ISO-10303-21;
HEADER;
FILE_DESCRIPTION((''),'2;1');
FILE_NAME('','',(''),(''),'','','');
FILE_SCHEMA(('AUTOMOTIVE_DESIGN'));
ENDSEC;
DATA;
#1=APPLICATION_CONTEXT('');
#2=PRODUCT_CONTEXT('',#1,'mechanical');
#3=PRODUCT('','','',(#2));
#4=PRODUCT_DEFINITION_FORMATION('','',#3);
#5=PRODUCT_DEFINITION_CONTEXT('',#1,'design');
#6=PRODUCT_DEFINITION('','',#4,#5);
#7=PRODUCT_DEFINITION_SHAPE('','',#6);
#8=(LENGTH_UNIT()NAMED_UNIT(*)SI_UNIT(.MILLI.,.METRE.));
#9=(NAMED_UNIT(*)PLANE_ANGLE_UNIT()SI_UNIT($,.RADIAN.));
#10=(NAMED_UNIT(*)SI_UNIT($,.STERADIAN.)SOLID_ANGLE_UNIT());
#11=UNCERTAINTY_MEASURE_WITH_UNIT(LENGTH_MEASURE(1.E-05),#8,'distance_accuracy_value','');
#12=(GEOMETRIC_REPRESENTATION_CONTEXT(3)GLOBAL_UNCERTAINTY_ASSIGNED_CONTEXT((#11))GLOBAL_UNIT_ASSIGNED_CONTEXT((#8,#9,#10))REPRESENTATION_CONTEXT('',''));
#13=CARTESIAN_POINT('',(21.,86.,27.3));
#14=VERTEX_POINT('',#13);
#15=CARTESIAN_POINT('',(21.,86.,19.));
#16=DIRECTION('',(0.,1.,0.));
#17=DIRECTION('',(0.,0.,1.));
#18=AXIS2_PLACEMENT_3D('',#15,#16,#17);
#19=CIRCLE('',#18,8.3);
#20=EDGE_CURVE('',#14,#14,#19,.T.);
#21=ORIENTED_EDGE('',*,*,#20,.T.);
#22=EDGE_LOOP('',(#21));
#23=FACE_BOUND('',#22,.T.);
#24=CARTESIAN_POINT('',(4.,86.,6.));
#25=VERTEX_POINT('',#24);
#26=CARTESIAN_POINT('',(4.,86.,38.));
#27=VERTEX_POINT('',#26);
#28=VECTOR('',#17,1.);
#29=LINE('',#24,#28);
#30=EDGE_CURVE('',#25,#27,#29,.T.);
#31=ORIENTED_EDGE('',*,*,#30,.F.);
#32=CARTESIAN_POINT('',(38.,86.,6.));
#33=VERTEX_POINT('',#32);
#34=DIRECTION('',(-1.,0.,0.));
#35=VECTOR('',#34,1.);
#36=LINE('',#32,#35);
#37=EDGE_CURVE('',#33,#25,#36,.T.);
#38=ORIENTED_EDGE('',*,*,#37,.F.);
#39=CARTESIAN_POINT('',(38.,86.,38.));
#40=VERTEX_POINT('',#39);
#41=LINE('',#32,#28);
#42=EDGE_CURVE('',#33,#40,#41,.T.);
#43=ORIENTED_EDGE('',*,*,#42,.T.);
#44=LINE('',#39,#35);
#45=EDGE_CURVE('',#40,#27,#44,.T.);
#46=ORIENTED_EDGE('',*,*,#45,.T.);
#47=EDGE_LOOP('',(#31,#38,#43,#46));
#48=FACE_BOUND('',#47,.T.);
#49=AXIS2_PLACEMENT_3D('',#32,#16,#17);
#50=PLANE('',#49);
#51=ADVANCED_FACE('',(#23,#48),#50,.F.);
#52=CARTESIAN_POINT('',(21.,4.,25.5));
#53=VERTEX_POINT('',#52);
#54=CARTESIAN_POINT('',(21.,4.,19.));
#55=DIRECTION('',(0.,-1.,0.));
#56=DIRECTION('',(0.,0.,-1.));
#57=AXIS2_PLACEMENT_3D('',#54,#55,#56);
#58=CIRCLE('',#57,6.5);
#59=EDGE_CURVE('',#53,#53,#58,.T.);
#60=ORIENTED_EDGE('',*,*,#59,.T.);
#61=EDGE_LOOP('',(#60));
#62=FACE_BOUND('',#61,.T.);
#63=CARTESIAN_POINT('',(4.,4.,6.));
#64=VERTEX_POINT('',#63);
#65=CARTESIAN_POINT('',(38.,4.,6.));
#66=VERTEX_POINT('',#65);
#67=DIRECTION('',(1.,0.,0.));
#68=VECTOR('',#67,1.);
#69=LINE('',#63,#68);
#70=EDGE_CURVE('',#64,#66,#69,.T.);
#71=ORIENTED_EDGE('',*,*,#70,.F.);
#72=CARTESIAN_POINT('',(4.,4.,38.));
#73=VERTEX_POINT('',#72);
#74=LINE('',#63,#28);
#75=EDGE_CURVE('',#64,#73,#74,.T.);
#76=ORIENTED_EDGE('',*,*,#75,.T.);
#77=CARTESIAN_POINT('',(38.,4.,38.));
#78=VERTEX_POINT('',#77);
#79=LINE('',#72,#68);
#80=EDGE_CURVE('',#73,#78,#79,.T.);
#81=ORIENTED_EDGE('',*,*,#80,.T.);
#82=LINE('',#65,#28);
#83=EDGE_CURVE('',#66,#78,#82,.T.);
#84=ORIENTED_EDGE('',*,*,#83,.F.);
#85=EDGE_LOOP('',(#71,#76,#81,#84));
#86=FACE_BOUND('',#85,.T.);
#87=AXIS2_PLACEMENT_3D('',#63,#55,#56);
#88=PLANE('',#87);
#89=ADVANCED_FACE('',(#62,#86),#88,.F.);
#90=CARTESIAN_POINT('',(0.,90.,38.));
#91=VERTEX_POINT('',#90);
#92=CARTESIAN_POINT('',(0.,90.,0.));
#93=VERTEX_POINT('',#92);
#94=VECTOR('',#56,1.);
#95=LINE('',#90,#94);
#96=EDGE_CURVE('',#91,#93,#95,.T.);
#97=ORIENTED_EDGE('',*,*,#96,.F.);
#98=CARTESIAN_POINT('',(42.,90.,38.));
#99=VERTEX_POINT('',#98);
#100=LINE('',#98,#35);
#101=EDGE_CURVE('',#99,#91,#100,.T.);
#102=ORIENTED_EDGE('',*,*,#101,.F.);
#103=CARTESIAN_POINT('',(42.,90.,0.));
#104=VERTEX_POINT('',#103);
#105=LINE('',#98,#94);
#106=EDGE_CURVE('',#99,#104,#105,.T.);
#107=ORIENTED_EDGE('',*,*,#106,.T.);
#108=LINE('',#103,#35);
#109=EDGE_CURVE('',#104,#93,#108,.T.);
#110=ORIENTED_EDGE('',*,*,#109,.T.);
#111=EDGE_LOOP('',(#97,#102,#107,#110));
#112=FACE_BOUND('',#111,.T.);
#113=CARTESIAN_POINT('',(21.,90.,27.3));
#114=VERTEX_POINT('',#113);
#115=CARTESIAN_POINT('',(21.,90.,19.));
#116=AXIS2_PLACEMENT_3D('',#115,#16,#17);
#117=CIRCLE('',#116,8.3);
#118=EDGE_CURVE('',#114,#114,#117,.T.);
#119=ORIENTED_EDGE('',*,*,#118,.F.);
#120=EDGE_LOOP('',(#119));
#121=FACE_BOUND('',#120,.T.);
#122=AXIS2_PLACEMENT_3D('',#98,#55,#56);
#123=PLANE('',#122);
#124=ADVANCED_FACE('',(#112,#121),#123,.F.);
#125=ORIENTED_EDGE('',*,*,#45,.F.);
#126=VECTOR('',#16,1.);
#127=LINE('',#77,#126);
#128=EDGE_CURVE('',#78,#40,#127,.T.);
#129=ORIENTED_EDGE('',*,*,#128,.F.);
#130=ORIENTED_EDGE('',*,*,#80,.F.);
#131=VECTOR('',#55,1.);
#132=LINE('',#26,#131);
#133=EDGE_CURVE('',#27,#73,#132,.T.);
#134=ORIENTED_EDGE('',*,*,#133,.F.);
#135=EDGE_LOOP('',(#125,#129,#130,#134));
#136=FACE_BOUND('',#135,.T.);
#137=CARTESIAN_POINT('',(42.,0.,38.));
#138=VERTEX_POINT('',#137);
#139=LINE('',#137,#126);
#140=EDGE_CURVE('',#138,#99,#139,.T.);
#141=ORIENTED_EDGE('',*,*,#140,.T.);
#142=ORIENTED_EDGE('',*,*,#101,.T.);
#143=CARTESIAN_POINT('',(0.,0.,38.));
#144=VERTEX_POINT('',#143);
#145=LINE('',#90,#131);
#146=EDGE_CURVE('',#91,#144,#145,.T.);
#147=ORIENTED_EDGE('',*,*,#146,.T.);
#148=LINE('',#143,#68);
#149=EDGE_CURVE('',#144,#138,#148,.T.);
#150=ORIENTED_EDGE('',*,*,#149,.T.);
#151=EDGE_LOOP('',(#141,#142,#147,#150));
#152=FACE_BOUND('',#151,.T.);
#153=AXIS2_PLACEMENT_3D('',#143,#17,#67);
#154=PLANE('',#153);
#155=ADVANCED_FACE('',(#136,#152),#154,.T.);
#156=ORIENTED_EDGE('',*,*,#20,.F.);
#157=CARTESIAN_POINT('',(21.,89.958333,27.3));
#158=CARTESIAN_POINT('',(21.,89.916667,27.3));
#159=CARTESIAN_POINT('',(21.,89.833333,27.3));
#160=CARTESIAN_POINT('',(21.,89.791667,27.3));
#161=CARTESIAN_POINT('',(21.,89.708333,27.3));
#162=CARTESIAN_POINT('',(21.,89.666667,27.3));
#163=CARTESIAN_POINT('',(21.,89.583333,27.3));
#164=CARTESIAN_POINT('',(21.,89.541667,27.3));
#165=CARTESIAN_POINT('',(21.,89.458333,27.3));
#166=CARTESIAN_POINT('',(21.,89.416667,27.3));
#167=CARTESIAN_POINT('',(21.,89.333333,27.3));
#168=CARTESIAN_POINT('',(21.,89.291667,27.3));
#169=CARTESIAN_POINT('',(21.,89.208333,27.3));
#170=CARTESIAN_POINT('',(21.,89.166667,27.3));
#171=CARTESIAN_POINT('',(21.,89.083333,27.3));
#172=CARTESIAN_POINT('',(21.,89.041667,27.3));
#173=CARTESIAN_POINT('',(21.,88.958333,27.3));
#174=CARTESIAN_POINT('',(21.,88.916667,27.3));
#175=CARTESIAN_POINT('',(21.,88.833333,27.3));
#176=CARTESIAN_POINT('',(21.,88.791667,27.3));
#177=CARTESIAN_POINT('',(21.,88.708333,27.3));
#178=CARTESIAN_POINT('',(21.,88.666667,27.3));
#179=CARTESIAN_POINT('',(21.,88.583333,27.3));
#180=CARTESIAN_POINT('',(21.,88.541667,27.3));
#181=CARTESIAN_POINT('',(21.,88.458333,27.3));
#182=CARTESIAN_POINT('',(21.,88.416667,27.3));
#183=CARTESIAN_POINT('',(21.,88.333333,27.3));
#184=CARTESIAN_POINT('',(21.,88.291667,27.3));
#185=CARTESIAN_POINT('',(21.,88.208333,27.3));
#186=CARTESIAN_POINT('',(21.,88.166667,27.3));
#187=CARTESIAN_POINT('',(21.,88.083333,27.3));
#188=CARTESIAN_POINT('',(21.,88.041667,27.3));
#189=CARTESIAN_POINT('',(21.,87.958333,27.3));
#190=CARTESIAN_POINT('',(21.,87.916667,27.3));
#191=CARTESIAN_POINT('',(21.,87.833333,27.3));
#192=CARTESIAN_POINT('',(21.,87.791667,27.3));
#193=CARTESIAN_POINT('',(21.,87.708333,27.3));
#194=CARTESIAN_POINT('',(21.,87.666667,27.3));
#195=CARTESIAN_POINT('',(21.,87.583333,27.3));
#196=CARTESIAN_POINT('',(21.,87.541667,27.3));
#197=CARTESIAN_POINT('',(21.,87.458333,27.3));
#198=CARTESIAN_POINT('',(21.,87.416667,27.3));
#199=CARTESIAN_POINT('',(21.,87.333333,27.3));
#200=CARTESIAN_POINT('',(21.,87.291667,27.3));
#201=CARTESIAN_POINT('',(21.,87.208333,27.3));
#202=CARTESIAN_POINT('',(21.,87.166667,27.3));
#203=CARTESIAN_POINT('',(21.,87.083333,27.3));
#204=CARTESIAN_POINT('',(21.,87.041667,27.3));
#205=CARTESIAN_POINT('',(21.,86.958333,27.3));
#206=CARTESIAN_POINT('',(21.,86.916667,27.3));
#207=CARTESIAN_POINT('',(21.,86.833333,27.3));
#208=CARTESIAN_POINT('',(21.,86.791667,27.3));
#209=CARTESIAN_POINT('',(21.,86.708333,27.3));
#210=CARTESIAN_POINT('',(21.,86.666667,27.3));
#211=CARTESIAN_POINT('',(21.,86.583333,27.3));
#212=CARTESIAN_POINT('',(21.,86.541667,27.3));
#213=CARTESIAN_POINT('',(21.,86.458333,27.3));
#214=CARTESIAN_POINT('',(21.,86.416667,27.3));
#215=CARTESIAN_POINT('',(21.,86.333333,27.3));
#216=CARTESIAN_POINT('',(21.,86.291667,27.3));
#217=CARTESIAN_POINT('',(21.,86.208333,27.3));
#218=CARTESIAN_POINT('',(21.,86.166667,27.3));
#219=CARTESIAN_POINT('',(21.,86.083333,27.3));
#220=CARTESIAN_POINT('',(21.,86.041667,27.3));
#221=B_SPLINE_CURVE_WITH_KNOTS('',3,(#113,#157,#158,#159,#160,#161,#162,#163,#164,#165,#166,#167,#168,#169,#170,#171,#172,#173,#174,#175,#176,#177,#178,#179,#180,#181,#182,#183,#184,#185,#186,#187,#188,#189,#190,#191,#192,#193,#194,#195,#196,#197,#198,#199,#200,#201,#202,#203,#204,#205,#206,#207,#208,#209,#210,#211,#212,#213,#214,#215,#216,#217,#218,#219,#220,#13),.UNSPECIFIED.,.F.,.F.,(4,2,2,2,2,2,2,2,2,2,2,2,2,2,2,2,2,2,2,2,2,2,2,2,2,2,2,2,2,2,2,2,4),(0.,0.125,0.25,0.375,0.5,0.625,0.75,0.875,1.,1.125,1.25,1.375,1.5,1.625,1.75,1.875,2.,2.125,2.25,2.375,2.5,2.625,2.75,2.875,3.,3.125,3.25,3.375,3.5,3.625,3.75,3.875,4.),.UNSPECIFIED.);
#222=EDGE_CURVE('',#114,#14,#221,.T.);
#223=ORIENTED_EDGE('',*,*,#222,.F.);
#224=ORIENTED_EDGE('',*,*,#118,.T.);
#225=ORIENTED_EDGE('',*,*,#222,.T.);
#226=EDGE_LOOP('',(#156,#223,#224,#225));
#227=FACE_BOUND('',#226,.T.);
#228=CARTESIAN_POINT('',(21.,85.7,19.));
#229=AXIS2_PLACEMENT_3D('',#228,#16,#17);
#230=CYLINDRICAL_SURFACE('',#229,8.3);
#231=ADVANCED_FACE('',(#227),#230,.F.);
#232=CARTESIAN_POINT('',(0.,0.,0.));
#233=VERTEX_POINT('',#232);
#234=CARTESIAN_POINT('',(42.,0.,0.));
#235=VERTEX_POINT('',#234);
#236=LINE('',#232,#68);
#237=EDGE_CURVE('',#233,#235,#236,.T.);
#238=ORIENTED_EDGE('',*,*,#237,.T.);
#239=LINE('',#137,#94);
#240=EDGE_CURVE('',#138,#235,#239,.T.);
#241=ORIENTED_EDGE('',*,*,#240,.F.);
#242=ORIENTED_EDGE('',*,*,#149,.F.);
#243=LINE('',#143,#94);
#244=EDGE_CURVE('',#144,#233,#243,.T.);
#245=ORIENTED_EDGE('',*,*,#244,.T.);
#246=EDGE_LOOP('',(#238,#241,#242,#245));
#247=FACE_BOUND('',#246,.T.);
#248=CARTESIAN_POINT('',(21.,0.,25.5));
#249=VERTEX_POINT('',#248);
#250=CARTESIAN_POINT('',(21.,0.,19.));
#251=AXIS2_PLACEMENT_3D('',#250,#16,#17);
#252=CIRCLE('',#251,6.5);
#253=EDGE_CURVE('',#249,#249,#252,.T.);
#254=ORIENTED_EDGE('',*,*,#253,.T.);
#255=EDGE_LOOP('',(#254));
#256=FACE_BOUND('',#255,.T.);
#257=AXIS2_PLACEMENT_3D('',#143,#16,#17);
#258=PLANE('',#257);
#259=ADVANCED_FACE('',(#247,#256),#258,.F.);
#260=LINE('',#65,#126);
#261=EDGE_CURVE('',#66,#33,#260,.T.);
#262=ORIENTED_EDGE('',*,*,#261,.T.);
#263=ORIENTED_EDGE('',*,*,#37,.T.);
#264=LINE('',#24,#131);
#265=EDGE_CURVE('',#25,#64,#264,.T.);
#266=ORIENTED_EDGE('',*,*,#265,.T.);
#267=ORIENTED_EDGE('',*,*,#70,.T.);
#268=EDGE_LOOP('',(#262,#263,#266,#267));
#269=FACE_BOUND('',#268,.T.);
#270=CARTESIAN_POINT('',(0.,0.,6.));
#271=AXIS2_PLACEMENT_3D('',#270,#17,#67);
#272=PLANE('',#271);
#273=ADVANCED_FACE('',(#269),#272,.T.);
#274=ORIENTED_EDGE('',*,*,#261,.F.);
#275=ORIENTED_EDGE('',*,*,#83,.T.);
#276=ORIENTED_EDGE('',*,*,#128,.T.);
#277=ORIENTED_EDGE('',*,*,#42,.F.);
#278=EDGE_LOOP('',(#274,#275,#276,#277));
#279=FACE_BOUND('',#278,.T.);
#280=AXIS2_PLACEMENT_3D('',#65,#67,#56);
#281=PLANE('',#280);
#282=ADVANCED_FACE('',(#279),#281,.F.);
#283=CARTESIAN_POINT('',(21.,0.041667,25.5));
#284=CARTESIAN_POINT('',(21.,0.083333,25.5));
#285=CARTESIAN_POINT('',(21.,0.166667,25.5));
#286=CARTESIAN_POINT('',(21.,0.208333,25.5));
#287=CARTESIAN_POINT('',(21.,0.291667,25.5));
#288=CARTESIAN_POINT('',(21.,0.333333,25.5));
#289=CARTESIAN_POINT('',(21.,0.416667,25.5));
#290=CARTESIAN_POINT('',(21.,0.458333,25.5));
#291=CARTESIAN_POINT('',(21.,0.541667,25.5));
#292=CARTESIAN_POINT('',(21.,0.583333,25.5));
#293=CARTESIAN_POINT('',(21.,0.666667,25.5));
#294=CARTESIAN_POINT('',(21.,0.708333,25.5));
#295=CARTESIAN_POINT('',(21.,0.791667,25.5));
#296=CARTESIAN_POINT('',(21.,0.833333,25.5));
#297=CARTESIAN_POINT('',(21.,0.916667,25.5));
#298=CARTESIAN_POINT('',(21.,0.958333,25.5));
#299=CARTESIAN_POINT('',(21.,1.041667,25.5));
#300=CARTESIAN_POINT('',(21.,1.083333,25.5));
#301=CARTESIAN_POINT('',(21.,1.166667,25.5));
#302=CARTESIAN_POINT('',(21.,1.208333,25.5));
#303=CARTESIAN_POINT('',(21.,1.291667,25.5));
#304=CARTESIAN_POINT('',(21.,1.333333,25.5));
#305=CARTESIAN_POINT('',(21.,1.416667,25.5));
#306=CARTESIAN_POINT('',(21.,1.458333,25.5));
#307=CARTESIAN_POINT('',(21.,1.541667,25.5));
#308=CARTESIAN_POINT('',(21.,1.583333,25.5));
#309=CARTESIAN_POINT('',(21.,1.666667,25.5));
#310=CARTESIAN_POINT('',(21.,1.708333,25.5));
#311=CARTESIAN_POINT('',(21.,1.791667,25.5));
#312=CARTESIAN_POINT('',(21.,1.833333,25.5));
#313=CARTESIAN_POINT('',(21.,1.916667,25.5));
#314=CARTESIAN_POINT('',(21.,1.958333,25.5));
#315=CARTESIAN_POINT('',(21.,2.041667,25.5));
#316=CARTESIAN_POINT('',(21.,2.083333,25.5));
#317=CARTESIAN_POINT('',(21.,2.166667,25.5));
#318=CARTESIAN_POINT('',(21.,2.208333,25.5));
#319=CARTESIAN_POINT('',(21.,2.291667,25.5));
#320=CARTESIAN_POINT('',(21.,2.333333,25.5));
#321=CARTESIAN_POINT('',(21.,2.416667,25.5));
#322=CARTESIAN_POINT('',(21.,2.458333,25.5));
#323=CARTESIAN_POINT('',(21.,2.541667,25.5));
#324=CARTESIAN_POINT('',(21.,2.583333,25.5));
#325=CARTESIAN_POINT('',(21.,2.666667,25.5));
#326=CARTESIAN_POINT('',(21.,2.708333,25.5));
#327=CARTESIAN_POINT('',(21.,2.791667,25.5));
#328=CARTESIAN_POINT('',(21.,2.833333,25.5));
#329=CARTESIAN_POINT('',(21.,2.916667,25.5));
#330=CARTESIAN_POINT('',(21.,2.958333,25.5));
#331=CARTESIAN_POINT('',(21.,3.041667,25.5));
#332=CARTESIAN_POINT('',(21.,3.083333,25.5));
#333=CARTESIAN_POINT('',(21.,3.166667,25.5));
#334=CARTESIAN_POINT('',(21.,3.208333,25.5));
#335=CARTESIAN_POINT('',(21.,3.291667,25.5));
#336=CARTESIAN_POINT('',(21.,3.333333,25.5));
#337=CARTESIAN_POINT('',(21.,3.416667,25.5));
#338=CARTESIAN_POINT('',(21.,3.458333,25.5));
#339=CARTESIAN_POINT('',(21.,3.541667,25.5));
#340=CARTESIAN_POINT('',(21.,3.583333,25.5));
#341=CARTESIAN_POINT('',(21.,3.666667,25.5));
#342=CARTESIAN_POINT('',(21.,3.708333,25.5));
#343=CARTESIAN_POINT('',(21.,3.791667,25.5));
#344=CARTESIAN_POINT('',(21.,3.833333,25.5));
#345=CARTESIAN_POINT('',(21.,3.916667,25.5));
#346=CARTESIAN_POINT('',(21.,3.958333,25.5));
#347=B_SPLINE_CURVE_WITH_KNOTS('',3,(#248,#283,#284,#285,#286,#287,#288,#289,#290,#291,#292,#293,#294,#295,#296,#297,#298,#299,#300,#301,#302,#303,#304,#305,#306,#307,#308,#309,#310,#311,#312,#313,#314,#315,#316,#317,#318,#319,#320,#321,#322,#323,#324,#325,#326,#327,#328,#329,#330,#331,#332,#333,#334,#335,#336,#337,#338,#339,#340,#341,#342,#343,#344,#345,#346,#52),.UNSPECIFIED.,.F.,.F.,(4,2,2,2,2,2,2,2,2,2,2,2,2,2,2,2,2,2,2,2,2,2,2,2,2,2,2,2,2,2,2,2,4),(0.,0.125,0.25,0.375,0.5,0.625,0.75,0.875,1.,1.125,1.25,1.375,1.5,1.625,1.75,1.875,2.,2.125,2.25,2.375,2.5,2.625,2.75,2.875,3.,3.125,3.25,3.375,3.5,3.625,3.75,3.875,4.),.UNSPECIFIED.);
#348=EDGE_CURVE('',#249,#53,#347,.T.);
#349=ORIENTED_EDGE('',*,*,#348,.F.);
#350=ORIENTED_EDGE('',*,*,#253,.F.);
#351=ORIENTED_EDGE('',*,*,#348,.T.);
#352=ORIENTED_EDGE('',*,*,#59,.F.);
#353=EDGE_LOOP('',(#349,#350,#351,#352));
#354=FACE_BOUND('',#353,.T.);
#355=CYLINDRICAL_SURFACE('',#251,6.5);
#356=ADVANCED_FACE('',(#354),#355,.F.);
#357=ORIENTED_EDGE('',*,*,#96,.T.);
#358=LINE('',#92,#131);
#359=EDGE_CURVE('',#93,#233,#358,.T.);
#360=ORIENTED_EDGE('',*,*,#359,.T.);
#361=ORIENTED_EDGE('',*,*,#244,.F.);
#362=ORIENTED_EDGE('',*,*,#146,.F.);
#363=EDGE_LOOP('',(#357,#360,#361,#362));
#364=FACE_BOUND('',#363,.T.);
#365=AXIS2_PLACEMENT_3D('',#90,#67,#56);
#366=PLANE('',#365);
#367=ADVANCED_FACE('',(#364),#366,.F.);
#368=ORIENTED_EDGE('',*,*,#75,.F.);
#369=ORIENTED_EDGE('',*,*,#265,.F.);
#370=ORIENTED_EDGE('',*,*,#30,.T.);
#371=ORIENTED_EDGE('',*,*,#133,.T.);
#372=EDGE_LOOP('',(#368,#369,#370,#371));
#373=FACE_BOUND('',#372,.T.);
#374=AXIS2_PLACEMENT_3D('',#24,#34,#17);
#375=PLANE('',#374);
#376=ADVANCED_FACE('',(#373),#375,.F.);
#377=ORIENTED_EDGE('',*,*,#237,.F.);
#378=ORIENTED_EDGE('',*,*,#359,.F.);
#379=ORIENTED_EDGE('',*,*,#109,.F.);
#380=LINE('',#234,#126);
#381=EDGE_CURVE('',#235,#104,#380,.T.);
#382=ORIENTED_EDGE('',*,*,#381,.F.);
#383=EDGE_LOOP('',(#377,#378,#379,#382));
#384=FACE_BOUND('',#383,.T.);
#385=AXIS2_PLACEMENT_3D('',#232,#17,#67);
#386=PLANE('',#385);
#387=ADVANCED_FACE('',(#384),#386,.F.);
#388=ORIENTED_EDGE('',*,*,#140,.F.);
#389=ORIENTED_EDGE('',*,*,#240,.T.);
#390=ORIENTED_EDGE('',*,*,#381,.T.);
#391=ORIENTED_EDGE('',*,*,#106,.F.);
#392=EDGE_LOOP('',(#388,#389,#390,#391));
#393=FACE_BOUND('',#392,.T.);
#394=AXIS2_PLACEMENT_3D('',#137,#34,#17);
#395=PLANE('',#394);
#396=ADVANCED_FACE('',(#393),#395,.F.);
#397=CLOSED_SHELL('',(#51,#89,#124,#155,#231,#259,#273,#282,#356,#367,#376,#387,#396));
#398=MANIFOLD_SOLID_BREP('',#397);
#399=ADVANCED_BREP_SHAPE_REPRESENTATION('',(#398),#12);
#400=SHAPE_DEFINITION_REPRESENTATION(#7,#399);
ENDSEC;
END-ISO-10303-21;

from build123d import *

# Parameters (mm, degrees)
SKETCH_1_W                = 42
SKETCH_1_H                = 90
HOUSING_ENVELOPE_DEPTH    = 38
SKETCH_2_W                = 34
SKETCH_2_H                = 82
FRONT_ACCESS_WINDOW_DEPTH = 32
SKETCH_3_R                = 6.5
AXIAL_PASSAGE_DEPTH       = 107.339080304
SKETCH_4_R                = 8.3
D16_CLEARANCE_DEPTH       = 4.3


with BuildPart() as part:
    # 草图1 → Housing_envelope (new body)
    with BuildSketch(Plane.XY):
        with Locations((21, 45)):
            Rectangle(SKETCH_1_W, SKETCH_1_H)
    extrude(amount=HOUSING_ENVELOPE_DEPTH)

    # 草图2 → Front_access_window (cut)
    with BuildSketch(Plane.XY.offset(38)):
        with Locations((21, 45)):
            Rectangle(SKETCH_2_W, SKETCH_2_H)
    extrude(amount=-FRONT_ACCESS_WINDOW_DEPTH, mode=Mode.SUBTRACT)

    # 草图3 → Axial_passage (cut, through all)
    with BuildSketch(Plane(origin=(0, 90, 0), x_dir=(1, 0, 0), z_dir=(0, 1, 0))):
        with Locations(Location((21, -19, 0), (0, 0, 270))):
            Circle(SKETCH_3_R)
    extrude(amount=-AXIAL_PASSAGE_DEPTH, mode=Mode.SUBTRACT)

    # 草图4 → D16_clearance (cut)
    with BuildSketch(Plane(origin=(0, 90, 0), x_dir=(1, 0, 0), z_dir=(0, 1, 0))):
        with Locations(Location((21, -19, 0), (0, 0, 270))):
            Circle(SKETCH_4_R)
    extrude(amount=-D16_CLEARANCE_DEPTH, mode=Mode.SUBTRACT)


solid = part.part
